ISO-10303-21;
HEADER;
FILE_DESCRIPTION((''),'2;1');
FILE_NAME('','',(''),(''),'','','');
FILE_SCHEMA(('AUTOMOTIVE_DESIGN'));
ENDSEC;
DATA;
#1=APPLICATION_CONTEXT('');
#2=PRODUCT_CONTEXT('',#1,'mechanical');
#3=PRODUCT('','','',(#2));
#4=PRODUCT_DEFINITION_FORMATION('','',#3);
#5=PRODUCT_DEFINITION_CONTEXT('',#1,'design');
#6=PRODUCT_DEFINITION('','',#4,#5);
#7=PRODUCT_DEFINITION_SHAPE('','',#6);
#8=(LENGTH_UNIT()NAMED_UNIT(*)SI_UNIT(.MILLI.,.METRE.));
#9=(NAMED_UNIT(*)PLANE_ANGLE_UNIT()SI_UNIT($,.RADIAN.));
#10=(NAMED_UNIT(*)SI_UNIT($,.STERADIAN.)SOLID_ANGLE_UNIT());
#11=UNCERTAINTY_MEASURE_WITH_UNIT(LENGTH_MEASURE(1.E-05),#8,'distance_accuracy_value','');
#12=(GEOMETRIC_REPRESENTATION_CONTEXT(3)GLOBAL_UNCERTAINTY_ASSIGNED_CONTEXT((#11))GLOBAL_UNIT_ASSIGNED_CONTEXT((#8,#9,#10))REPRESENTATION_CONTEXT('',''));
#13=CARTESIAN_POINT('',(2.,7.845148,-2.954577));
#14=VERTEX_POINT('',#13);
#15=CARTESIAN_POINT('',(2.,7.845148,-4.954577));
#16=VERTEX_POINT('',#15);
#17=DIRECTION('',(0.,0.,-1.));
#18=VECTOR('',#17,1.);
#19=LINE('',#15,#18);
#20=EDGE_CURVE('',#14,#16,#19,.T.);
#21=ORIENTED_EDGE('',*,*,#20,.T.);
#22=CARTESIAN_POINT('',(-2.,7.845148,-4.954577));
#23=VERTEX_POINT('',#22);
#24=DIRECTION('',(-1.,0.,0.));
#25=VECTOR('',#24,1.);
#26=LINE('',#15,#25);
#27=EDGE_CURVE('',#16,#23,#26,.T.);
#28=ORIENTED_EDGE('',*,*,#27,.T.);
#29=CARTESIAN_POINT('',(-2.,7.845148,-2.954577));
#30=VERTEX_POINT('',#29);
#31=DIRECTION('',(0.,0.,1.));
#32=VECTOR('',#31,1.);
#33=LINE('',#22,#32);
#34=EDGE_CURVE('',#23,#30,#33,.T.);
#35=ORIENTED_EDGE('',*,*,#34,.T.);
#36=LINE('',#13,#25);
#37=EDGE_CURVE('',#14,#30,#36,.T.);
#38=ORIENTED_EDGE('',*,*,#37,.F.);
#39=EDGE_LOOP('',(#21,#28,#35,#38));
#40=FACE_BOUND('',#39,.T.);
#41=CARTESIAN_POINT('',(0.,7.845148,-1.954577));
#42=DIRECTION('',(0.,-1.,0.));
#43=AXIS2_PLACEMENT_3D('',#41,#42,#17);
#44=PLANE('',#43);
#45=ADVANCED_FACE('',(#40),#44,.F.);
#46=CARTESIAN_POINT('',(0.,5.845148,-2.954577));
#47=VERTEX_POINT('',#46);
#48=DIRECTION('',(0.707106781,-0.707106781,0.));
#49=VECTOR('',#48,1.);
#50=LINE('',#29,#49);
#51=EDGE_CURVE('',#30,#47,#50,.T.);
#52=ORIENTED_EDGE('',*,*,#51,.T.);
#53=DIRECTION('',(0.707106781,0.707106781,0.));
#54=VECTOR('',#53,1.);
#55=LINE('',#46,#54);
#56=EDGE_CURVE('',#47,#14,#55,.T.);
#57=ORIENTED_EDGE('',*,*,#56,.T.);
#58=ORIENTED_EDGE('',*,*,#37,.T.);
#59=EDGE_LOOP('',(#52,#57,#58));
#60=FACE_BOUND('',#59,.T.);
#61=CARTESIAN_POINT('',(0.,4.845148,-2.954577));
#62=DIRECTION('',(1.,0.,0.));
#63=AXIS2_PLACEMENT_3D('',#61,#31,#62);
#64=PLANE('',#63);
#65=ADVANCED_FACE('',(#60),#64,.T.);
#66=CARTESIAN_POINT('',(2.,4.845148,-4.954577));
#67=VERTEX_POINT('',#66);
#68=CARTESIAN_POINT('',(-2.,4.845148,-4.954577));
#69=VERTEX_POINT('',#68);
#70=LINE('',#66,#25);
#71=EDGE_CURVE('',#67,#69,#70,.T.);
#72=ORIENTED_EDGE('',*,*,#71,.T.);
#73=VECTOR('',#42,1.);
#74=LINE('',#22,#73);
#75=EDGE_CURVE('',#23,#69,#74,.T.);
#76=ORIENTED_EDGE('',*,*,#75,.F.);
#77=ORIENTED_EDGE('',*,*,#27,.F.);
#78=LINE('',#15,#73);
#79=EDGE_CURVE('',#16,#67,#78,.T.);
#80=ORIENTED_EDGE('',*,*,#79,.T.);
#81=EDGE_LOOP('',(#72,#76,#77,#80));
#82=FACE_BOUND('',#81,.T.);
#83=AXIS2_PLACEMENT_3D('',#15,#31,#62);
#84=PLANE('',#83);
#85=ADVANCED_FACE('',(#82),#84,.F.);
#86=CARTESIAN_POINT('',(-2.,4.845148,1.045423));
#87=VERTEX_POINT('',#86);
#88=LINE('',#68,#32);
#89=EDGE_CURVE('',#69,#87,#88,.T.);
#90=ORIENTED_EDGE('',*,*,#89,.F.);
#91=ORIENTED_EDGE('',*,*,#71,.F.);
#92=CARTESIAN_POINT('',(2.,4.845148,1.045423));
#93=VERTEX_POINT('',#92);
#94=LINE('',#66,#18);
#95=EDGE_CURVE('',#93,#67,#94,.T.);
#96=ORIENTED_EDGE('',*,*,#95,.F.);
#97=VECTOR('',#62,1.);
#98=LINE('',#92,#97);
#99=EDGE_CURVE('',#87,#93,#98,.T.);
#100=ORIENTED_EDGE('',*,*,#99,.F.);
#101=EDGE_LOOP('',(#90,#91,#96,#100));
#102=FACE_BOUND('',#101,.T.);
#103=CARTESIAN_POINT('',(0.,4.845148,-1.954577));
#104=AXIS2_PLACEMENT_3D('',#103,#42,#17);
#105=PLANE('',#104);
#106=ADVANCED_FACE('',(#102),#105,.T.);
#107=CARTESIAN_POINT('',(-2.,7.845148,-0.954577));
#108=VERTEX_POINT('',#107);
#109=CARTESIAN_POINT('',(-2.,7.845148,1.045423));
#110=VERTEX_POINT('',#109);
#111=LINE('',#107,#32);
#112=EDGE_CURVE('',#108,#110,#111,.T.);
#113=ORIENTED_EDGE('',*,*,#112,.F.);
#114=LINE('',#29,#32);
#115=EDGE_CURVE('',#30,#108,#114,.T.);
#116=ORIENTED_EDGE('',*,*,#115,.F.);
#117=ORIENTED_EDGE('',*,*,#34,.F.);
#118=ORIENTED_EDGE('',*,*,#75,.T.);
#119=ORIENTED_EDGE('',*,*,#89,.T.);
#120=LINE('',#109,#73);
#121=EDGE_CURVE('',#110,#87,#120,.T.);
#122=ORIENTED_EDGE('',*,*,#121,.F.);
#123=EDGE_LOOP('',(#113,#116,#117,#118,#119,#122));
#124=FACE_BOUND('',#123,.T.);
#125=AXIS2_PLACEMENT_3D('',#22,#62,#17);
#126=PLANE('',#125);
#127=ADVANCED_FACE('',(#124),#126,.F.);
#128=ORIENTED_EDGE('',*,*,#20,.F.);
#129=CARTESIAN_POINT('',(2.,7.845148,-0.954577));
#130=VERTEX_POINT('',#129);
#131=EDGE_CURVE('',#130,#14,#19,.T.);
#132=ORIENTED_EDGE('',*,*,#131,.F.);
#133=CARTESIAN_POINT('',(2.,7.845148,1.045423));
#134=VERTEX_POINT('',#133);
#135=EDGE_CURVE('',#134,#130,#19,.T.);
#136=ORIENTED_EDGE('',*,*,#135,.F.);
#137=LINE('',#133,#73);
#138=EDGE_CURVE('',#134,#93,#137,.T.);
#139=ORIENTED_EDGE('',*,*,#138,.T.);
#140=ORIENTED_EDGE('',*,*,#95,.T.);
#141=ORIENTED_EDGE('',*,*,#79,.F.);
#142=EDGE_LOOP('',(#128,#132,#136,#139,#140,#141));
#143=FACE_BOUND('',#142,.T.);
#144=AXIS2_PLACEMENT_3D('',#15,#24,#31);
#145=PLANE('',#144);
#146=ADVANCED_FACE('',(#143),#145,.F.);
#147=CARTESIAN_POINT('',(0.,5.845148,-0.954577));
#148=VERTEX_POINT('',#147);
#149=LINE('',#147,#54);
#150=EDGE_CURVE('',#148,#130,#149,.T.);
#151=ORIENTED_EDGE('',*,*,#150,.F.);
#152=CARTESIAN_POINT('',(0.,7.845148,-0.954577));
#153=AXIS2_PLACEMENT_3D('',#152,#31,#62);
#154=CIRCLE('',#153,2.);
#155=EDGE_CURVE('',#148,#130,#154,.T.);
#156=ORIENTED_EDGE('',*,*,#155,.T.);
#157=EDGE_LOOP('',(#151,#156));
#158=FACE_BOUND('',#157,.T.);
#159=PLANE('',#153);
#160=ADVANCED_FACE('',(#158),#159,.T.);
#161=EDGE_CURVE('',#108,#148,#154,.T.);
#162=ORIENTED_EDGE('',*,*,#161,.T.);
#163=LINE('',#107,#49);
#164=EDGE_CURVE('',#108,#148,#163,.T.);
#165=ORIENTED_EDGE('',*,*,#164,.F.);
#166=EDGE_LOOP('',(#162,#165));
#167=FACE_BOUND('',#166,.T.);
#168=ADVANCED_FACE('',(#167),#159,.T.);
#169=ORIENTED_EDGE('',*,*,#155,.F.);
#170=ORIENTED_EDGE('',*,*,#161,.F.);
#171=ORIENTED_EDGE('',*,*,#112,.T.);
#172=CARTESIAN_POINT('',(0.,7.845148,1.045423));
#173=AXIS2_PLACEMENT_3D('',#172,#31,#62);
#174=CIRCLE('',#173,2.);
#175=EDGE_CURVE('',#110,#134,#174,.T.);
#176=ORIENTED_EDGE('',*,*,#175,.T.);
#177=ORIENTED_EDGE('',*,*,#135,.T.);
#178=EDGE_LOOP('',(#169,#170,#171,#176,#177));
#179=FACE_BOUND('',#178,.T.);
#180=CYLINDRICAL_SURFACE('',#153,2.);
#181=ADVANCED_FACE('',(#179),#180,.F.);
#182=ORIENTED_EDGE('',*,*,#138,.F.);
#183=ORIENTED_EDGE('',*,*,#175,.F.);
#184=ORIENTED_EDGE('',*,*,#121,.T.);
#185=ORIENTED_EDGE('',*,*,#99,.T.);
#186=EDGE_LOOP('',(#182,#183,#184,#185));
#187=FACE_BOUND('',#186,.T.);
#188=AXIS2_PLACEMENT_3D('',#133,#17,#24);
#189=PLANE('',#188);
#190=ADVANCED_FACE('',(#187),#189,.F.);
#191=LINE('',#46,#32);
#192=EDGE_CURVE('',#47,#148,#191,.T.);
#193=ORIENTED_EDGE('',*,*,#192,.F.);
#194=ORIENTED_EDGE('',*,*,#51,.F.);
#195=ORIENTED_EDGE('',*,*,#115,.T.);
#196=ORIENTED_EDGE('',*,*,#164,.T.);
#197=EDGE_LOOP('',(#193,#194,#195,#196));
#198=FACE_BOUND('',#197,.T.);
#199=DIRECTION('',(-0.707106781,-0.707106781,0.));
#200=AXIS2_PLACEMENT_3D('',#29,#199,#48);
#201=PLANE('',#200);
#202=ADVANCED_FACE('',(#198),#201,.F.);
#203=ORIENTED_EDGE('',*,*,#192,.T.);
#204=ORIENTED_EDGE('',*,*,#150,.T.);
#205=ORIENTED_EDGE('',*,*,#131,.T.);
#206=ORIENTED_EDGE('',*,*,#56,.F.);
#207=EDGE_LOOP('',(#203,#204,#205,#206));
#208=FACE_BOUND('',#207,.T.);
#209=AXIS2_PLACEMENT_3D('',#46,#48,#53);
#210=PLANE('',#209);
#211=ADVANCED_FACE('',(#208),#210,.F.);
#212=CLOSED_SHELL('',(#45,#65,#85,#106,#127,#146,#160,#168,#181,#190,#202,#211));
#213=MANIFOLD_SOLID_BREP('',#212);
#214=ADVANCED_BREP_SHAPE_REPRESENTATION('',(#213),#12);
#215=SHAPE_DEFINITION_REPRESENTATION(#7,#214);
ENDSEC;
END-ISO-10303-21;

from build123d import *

# Parameters (mm, degrees)
SKETCH_1_W          = 20
SKETCH_1_H          = 30
EXTRUDE_1_DEPTH     = 15
CUT_EXTRUDE_1_DEPTH = 10
CUT_EXTRUDE_2_DEPTH = 10
SCALE_1_SCALE       = 0.2


with BuildPart() as part:
    # 草圖1 → 填料-伸長1 (new body)
    with BuildSketch(Plane(origin=(0, 0, 0), x_dir=(1, 0, 0), z_dir=(0, 1, 0))):
        Rectangle(SKETCH_1_W, SKETCH_1_H)
    extrude(amount=EXTRUDE_1_DEPTH)

    # 草圖2 → 除料-伸長1 (cut)
    with BuildSketch(Plane.XY.offset(15)):
        with BuildLine():
            Line((10, 15), (-10, 15))
            ThreePointArc((-10, 15), (0, 5), (10, 15))
        make_face()
    extrude(amount=-CUT_EXTRUDE_1_DEPTH, mode=Mode.SUBTRACT)

    # 草圖3 → 除料-伸長2 (cut)
    with BuildSketch(Plane.XY.offset(5)):
        Polygon((-10, 15), (0, 5), (10, 15), align=None)
    extrude(amount=-CUT_EXTRUDE_2_DEPTH, mode=Mode.SUBTRACT)


with BuildPart() as part_1:
    # 縮放比例1: scaled about (0, 6.056435148, -2.443220664)
    add(part.part.scale(SCALE_1_SCALE).moved(Location((0, 4.845148118, -1.954576531))))


solid = part_1.part
